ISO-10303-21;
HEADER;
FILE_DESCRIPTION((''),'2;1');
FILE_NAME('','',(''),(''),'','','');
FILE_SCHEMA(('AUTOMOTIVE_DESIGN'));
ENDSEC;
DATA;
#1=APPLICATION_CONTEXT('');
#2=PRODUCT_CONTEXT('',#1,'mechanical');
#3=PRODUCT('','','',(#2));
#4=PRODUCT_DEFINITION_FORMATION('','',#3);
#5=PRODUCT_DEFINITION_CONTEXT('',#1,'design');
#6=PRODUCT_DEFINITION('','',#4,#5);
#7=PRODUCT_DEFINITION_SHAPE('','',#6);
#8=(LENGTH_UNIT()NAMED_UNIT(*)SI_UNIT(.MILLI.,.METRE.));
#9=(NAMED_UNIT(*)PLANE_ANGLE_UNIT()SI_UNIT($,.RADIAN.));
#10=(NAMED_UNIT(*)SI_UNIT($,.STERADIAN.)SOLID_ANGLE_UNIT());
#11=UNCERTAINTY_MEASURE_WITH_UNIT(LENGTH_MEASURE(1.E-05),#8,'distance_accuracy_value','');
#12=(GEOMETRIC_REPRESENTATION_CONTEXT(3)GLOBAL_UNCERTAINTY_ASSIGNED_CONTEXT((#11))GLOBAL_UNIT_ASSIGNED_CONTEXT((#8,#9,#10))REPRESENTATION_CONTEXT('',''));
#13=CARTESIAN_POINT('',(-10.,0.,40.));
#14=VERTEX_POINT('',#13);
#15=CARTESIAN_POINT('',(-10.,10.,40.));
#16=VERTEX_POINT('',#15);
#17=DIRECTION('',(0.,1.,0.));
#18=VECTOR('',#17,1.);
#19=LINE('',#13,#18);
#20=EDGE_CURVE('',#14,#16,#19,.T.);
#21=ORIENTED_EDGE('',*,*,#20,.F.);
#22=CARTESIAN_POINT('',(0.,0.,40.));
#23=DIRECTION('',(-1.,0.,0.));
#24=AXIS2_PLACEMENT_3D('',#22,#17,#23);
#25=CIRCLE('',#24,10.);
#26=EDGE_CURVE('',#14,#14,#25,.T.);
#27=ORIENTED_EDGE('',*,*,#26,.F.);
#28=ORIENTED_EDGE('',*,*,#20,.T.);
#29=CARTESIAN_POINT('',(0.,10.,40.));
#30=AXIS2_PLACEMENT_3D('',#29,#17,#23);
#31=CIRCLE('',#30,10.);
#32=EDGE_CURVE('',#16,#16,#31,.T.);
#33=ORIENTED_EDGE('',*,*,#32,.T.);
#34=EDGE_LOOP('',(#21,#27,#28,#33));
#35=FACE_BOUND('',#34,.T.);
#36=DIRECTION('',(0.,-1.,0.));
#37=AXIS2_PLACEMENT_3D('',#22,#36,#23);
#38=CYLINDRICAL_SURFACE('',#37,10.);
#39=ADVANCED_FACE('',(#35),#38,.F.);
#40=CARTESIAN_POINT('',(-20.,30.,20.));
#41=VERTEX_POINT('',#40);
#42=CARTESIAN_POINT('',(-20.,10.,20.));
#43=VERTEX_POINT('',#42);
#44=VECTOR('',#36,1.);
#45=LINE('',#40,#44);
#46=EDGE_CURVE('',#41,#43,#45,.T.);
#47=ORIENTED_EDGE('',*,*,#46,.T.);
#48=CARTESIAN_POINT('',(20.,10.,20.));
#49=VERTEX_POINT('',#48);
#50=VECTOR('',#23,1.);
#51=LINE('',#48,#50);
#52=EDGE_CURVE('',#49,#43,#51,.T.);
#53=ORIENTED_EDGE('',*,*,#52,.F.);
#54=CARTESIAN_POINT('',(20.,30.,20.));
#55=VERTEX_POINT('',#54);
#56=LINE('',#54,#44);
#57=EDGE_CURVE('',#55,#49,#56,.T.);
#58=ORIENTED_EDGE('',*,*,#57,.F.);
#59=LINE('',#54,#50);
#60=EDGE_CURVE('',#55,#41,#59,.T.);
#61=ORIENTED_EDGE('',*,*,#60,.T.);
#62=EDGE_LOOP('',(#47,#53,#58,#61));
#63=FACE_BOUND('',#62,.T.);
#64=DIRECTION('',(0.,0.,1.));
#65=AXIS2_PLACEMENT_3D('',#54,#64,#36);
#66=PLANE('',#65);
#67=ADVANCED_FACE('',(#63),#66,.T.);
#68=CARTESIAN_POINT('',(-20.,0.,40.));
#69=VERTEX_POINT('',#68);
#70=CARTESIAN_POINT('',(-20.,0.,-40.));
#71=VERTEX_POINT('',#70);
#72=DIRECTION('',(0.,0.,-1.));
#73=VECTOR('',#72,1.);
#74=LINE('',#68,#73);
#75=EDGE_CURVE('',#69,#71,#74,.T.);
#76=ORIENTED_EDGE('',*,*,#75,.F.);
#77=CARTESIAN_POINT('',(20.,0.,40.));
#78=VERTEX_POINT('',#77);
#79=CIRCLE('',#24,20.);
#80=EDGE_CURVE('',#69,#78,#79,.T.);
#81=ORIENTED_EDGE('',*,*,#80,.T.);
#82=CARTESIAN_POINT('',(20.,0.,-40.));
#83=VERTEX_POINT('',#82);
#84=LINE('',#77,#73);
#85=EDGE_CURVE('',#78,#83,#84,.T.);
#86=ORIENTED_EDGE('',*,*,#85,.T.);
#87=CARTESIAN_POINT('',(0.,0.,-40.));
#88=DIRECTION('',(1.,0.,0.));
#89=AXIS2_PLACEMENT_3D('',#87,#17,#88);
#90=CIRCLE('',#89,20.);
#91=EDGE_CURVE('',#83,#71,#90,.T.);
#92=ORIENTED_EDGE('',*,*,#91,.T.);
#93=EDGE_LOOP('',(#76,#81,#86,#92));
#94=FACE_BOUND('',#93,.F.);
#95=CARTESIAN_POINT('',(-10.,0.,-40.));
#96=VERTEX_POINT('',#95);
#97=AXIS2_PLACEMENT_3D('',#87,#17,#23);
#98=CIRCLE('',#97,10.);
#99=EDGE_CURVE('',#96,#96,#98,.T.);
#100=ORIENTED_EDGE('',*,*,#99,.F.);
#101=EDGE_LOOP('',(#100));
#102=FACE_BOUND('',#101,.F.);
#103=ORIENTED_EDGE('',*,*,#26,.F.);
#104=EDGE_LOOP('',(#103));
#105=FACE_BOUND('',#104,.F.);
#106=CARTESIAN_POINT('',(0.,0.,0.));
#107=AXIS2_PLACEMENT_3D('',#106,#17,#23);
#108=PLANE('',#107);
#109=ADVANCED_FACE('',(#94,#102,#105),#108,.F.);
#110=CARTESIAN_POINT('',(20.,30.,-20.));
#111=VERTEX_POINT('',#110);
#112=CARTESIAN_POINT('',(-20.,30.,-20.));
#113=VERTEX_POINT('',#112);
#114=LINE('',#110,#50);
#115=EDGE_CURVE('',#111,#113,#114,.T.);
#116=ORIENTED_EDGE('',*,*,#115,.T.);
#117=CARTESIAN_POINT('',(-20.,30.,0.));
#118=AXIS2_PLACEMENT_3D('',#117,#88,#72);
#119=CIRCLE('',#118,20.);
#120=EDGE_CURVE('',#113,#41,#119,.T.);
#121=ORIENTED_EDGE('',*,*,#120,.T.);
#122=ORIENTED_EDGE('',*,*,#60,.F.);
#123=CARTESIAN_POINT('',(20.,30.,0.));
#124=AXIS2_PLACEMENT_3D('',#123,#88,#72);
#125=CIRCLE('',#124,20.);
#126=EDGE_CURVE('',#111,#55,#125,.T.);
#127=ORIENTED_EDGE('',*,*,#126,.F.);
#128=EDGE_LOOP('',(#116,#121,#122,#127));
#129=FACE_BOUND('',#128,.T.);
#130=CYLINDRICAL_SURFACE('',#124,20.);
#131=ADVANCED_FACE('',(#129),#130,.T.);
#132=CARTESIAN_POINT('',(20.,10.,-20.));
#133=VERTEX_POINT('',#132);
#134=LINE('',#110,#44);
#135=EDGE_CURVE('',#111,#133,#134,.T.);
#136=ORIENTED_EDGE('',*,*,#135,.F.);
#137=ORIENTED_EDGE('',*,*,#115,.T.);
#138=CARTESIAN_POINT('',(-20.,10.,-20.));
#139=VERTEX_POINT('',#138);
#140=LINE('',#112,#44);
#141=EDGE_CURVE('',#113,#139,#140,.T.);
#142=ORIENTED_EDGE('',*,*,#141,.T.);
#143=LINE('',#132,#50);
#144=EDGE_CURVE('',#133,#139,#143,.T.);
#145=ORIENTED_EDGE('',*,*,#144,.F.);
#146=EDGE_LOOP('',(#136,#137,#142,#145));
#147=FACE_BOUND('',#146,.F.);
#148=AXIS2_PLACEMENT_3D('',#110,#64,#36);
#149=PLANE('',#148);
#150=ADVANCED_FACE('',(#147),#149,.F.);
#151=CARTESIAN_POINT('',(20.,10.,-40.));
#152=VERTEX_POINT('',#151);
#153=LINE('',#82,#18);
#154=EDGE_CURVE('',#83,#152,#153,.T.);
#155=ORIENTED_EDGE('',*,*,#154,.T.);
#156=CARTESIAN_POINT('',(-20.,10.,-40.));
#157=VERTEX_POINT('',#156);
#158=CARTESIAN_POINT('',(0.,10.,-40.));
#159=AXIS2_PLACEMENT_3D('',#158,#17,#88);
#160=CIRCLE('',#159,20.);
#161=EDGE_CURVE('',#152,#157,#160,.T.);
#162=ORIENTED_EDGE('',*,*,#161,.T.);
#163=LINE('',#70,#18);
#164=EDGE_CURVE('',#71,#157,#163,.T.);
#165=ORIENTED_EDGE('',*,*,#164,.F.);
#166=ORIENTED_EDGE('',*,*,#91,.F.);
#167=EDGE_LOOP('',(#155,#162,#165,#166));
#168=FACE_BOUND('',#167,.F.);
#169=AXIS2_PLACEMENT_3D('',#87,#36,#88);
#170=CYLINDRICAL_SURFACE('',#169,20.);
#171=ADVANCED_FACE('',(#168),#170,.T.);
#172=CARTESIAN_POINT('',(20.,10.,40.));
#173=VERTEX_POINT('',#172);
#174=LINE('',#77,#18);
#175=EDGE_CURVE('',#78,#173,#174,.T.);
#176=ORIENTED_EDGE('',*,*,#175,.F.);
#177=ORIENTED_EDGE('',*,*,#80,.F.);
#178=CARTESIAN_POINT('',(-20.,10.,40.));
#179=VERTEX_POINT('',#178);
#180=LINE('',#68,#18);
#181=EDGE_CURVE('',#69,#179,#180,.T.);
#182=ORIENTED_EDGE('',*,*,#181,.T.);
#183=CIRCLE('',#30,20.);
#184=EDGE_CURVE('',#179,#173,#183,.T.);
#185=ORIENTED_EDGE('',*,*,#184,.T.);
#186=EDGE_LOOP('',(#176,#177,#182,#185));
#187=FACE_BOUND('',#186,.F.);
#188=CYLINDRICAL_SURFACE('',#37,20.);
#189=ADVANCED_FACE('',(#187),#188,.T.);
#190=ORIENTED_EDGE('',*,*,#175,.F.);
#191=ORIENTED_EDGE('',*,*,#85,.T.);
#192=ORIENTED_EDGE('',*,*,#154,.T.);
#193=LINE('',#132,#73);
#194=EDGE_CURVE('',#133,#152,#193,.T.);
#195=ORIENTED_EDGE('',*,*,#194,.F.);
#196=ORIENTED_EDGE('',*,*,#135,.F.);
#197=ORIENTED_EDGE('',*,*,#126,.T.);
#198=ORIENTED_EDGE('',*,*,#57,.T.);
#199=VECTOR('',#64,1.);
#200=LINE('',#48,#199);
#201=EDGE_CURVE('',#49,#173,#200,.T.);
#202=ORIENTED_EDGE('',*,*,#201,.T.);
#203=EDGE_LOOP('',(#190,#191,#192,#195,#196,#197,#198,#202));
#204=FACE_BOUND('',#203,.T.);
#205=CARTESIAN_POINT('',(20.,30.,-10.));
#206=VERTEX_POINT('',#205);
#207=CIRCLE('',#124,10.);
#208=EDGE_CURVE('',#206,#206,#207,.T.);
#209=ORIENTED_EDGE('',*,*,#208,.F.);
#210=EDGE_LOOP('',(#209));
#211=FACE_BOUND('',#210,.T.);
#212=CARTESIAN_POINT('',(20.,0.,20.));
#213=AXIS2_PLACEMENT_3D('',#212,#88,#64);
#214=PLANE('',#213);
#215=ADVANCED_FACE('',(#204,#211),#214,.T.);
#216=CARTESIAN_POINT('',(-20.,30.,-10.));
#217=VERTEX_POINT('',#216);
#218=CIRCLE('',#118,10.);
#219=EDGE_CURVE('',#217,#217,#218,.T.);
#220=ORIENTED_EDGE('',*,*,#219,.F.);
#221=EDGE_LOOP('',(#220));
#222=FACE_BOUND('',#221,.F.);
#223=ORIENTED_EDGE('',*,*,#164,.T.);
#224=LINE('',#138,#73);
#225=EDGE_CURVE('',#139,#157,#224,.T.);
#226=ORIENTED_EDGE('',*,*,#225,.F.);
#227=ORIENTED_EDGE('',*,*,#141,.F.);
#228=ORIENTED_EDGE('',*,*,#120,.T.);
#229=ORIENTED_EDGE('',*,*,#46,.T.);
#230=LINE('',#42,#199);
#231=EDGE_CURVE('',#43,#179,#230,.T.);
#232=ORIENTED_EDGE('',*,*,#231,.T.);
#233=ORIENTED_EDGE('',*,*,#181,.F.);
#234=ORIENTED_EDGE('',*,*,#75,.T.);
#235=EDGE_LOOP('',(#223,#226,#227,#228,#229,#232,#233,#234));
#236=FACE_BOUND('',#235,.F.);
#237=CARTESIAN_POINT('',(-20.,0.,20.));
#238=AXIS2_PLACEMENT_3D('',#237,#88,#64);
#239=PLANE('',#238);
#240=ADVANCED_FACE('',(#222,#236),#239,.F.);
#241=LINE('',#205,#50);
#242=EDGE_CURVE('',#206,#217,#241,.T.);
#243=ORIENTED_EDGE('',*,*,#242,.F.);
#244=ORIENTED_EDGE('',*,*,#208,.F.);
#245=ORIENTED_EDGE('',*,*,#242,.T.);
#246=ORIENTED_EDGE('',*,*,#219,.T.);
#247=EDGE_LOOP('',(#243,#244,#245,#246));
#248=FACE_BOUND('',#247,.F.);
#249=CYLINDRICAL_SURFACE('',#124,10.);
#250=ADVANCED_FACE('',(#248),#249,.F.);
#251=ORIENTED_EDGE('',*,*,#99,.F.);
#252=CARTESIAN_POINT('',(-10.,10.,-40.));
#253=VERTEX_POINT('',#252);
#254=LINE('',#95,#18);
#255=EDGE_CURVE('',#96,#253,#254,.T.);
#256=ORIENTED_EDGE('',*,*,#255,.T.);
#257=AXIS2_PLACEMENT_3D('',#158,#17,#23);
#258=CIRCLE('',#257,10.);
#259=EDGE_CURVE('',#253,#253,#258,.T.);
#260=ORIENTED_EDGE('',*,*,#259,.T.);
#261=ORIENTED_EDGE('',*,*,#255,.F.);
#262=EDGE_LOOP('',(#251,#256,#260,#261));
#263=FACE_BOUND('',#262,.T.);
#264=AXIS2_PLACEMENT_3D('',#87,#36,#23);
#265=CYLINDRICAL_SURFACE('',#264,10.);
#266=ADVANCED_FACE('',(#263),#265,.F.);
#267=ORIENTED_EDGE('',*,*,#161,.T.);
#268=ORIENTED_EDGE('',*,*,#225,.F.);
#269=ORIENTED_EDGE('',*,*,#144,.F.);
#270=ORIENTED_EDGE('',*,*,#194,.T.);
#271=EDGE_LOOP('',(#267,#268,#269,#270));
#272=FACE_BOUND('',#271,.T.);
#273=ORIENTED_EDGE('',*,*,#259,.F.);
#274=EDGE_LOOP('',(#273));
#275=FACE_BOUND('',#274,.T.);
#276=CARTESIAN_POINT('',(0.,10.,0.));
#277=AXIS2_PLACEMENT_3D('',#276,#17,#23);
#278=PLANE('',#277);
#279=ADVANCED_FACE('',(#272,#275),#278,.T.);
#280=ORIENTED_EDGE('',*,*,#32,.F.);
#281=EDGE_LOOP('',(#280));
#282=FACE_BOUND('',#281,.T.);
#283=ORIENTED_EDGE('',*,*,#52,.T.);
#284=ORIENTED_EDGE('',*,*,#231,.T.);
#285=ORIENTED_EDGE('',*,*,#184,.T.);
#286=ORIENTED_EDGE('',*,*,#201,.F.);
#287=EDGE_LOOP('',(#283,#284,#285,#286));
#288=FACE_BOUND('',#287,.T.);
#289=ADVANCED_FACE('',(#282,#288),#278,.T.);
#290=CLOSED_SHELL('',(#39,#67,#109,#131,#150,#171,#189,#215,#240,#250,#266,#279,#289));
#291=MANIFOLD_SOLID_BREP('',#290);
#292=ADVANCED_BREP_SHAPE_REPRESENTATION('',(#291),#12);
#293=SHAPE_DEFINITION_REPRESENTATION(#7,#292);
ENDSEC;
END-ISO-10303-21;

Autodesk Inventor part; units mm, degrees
ref_plane "YZ Plane" through (0, 0, 0) normal (1, 0, 0) x (0, 1, 0)
ref_plane "XZ Plane" through (0, 0, 0) normal (0, 1, 0) x (-1, 0, 0)
ref_plane "XY Plane" through (0, 0, 0) normal (0, 0, 1) x (1, 0, 0)
sketch "Boceto1" plane through (0, 0, 0) normal (0, 1, 0) x (-1, 0, 0)
  line L0 (-20, 20) -> (-20, -20)
  line L1 (20, -20) -> (20, 20)
  line L2 (-20, 20) -> (20, -20) construction
  line L3 (-20, -20) -> (20, 20) construction
  line L4 (0, 20) -> (0, 40) construction
  line L5 (0, -20) -> (0, -40) construction
  circle A0 centre (0, 40) radius 10
  arc A1 (20, 40) -> (-20, 40) centre (0, 40) ccw
  circle A2 centre (0, -40) radius 10
  arc A3 (-20, -40) -> (20, -40) centre (0, -40) ccw
  line L6 (20, 20) -> (20, 40)
  line L7 (-20, 20) -> (-20, 40)
  line L8 (20, -20) -> (20, -40)
  line L9 (-20, -20) -> (-20, -40)
  point P0 (0, 0)
  dimension "d4" = 20
  dimension "d5" = 40
  dimension "d6" = 20
  dimension "d7" = 40
extrude "Extrusión1" add sketch "Boceto1" along normal blind 10
sketch "Boceto2" plane through (20, 0, 40) normal (1, 0, 0) x (0, 0, -1)
  line L0 (80, 10) -> (0, 10) construction
  line L1 (40, 10) -> (40, 30) construction
  arc A0 (60, 30) -> (20, 30) centre (40, 30) ccw
  circle A1 centre (40, 30) radius 10
  line L2 (20, 30) -> (20, 10)
  line L3 (60, 30) -> (60, 10)
  line L4 (20, 10) -> (60, 10)
  point P0 (40, 0)
  dimension "d11" = 40
  dimension "d12" = 20
extrude "Extrusión2" add sketch "Boceto2" against normal blind 40
properties part number "TAREA #1 LAB. DINAMICA CARLOS LUCERO NO.1184321"
